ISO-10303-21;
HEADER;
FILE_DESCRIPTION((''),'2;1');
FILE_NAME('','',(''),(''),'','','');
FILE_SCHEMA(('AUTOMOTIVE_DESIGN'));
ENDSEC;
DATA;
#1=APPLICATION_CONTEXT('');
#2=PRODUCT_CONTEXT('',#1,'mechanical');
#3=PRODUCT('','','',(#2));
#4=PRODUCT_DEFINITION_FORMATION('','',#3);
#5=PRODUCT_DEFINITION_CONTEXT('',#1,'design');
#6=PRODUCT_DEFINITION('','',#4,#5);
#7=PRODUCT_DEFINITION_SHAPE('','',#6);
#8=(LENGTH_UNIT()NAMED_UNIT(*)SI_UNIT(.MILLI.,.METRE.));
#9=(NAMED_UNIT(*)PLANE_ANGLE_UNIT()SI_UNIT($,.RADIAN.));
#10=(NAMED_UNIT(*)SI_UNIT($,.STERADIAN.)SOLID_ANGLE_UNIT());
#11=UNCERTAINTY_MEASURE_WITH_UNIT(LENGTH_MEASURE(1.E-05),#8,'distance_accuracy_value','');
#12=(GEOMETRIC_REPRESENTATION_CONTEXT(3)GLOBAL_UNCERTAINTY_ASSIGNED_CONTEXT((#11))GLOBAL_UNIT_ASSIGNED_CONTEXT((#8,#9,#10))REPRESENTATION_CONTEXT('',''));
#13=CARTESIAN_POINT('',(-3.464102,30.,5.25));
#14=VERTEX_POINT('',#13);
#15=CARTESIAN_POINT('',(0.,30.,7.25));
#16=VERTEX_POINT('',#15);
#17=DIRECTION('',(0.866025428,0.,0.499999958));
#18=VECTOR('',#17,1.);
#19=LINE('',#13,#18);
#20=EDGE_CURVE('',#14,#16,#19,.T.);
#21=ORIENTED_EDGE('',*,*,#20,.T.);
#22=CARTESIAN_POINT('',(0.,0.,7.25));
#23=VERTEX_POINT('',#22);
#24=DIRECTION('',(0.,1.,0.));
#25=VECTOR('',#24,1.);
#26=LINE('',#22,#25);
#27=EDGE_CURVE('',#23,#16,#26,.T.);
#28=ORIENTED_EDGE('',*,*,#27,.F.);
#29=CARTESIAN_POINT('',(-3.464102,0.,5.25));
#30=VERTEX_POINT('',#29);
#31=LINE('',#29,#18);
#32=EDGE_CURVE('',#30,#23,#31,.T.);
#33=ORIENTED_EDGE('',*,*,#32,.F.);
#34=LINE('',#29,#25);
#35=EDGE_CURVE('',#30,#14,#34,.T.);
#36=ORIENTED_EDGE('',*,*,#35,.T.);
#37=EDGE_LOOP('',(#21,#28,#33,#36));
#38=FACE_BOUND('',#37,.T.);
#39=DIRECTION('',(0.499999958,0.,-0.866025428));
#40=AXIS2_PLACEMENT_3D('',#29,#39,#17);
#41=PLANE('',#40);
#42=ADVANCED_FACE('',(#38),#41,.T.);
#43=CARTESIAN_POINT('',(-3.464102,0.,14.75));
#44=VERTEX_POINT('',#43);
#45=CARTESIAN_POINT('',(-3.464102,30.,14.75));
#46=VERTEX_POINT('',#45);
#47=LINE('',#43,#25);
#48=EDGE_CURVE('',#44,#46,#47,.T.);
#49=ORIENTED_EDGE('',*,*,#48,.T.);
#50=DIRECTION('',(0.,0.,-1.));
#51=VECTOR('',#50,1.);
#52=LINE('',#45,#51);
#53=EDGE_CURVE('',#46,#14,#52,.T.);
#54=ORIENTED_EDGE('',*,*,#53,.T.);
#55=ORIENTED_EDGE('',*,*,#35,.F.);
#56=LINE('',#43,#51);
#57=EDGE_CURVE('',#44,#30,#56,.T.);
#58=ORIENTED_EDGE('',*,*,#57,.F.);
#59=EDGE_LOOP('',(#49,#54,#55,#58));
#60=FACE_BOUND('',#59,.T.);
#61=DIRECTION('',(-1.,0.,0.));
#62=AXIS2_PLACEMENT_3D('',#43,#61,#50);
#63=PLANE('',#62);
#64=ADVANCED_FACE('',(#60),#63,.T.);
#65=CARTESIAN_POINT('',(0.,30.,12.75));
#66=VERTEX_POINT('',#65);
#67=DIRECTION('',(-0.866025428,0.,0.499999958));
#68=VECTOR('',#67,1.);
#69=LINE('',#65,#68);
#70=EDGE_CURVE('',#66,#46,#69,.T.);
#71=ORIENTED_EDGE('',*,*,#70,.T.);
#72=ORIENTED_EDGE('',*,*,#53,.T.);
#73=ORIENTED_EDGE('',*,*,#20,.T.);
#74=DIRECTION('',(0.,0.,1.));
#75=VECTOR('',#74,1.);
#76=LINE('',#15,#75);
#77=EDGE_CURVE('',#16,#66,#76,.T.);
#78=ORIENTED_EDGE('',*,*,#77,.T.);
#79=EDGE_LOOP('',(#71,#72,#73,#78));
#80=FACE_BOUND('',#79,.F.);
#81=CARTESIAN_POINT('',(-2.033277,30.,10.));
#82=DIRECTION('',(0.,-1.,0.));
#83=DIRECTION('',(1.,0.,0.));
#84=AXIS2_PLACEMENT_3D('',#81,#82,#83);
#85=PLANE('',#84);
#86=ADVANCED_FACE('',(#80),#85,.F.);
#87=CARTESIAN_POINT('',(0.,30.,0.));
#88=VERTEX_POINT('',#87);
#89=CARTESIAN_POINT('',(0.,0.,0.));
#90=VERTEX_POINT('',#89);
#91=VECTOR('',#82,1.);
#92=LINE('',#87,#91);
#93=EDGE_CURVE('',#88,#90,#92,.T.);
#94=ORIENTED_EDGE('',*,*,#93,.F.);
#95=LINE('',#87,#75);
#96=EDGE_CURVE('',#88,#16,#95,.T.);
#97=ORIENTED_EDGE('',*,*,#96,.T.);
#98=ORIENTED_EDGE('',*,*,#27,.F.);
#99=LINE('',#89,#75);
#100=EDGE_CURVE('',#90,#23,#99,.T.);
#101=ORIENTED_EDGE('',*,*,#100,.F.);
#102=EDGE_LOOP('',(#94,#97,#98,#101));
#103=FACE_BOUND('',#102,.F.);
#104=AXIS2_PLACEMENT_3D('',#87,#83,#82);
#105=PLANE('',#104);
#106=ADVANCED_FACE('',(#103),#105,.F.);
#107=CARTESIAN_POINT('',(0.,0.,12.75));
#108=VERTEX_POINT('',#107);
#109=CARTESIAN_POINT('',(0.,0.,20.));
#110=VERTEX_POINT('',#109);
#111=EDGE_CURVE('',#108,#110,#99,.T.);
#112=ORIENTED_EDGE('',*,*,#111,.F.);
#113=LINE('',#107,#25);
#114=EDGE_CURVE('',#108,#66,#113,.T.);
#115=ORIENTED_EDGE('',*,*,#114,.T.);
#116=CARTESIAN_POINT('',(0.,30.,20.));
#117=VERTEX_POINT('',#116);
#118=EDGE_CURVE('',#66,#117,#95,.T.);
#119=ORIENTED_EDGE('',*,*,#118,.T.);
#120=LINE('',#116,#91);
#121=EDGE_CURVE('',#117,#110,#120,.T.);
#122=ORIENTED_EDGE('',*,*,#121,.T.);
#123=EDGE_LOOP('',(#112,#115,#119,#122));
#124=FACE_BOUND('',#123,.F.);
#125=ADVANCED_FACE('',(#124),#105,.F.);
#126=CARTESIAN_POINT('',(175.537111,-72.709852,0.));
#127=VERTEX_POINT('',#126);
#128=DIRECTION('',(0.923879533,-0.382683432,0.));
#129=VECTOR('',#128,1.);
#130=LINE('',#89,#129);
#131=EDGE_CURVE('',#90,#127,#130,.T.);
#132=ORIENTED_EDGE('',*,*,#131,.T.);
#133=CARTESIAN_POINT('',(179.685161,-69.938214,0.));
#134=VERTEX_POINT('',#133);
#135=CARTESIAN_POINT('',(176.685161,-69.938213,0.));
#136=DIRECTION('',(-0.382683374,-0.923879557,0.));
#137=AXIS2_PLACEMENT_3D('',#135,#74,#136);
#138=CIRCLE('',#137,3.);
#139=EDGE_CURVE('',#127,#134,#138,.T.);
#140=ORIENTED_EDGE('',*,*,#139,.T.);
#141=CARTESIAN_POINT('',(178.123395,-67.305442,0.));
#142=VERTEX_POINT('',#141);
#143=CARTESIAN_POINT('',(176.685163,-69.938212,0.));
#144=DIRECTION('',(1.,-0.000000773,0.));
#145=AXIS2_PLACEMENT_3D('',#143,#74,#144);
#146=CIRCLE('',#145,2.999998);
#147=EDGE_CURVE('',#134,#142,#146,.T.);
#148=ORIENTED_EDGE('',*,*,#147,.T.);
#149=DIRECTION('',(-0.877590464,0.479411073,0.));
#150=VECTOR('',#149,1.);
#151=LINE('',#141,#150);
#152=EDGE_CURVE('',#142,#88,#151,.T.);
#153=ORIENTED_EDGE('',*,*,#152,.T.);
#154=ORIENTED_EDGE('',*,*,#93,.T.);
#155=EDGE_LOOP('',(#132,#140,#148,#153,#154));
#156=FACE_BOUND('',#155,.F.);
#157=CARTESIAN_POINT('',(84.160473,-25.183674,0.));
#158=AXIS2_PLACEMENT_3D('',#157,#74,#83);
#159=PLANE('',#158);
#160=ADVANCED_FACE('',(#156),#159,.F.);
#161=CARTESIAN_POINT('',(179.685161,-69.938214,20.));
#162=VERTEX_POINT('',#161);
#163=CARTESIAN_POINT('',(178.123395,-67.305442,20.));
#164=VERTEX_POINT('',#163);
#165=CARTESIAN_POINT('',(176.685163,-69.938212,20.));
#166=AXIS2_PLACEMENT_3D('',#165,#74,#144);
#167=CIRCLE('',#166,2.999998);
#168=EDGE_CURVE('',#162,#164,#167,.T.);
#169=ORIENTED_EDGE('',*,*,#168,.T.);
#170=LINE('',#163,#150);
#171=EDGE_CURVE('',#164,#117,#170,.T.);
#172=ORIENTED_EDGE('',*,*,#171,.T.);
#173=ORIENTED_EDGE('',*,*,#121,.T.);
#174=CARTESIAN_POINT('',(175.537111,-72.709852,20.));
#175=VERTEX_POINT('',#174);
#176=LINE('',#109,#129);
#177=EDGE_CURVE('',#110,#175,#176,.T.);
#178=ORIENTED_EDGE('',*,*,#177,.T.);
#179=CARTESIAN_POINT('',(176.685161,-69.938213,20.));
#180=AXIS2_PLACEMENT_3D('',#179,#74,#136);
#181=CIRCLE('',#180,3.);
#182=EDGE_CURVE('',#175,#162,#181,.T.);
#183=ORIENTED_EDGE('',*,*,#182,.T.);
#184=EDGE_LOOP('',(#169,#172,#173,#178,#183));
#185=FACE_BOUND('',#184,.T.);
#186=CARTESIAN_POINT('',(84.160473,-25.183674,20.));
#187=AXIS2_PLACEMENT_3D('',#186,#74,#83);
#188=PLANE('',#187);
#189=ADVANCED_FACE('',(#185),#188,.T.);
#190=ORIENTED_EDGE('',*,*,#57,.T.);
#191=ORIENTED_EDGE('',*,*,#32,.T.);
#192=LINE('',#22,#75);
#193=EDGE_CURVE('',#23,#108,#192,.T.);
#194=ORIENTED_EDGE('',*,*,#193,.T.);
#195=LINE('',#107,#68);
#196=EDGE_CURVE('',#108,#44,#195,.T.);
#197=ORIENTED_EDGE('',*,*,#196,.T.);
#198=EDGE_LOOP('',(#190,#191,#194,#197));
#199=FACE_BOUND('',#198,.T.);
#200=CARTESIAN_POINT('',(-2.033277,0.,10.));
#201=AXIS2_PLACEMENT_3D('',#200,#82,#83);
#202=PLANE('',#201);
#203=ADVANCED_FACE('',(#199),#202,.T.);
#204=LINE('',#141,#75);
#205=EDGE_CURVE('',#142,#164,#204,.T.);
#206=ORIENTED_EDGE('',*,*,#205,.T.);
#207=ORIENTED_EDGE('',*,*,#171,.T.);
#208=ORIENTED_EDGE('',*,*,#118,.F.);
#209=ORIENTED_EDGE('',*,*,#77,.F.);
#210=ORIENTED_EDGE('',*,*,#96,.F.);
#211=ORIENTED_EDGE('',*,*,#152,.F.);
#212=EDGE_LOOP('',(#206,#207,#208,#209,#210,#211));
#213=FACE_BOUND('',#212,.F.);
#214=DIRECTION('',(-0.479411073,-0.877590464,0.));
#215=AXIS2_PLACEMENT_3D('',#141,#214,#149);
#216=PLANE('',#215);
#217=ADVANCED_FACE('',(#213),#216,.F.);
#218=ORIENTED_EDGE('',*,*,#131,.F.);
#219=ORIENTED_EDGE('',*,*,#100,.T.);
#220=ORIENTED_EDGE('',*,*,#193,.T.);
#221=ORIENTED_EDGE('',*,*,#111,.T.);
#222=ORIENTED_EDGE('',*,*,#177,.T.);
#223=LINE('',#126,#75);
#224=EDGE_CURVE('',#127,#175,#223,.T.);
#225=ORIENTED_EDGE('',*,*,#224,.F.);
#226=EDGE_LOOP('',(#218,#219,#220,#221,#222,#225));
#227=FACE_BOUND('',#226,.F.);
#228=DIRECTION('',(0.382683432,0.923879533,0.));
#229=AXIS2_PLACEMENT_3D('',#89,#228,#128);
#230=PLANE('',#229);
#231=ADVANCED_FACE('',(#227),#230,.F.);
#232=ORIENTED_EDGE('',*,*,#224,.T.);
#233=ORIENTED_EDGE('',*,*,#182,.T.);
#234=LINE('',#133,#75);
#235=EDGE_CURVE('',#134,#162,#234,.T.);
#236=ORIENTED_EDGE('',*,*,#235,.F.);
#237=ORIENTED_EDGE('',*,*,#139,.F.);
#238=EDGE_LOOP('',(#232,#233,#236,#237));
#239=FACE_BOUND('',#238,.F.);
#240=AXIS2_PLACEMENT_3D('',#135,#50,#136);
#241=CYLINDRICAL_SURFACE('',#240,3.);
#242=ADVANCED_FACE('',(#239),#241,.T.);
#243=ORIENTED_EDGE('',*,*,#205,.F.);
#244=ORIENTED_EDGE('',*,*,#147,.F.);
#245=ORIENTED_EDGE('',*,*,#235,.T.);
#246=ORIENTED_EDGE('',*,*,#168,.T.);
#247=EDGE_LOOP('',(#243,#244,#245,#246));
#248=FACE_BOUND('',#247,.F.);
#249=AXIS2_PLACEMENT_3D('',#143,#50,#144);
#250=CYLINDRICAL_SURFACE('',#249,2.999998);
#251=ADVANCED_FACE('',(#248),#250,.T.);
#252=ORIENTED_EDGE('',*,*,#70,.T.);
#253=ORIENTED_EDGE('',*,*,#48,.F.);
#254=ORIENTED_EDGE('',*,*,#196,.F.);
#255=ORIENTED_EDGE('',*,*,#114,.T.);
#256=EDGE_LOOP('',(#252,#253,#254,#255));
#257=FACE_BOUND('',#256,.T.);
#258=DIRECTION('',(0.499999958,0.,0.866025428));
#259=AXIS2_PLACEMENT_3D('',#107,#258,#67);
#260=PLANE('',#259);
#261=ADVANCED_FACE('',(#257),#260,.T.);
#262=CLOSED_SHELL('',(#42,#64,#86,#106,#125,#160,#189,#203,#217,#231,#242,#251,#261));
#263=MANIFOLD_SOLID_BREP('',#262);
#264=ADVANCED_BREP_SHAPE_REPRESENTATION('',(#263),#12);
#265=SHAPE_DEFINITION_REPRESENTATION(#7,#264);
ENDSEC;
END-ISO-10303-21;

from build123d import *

# Parameters (mm, degrees)
F1_DEPTH = 20
F3_DEPTH = 30


with BuildPart() as f1:
    # F0 (on Top) → F1 (new body)
    with BuildSketch(Plane.XY):
        with BuildLine():
            Line((0, 30), (0, 0))
            Line((0, 0), (175.537111, -72.709852))
            ThreePointArc((175.537111, -72.709852), (173.979064, -68.643209), (178.123395, -67.305442))
            Line((178.123395, -67.305442), (0, 30))
        make_face()
        with BuildLine():
            ThreePointArc((178.123395, -67.305442), (173.979064, -68.643209), (175.537111, -72.709852))
            ThreePointArc((175.537111, -72.709852), (178.351872, -72.432622), (179.685161, -69.938214))
            ThreePointArc((179.685161, -69.938214), (179.265346, -68.407642), (178.123395, -67.305442))
        make_face()
    extrude(amount=F1_DEPTH)

    # F2 (on Front) → F3 (join)
    with BuildSketch(Plane.XZ):
        Polygon((0, 7.25), (0, 12.75), (-3.464102, 14.75), (-3.464102, 5.25), align=None)
    extrude(amount=-F3_DEPTH)


solid = f1.part
